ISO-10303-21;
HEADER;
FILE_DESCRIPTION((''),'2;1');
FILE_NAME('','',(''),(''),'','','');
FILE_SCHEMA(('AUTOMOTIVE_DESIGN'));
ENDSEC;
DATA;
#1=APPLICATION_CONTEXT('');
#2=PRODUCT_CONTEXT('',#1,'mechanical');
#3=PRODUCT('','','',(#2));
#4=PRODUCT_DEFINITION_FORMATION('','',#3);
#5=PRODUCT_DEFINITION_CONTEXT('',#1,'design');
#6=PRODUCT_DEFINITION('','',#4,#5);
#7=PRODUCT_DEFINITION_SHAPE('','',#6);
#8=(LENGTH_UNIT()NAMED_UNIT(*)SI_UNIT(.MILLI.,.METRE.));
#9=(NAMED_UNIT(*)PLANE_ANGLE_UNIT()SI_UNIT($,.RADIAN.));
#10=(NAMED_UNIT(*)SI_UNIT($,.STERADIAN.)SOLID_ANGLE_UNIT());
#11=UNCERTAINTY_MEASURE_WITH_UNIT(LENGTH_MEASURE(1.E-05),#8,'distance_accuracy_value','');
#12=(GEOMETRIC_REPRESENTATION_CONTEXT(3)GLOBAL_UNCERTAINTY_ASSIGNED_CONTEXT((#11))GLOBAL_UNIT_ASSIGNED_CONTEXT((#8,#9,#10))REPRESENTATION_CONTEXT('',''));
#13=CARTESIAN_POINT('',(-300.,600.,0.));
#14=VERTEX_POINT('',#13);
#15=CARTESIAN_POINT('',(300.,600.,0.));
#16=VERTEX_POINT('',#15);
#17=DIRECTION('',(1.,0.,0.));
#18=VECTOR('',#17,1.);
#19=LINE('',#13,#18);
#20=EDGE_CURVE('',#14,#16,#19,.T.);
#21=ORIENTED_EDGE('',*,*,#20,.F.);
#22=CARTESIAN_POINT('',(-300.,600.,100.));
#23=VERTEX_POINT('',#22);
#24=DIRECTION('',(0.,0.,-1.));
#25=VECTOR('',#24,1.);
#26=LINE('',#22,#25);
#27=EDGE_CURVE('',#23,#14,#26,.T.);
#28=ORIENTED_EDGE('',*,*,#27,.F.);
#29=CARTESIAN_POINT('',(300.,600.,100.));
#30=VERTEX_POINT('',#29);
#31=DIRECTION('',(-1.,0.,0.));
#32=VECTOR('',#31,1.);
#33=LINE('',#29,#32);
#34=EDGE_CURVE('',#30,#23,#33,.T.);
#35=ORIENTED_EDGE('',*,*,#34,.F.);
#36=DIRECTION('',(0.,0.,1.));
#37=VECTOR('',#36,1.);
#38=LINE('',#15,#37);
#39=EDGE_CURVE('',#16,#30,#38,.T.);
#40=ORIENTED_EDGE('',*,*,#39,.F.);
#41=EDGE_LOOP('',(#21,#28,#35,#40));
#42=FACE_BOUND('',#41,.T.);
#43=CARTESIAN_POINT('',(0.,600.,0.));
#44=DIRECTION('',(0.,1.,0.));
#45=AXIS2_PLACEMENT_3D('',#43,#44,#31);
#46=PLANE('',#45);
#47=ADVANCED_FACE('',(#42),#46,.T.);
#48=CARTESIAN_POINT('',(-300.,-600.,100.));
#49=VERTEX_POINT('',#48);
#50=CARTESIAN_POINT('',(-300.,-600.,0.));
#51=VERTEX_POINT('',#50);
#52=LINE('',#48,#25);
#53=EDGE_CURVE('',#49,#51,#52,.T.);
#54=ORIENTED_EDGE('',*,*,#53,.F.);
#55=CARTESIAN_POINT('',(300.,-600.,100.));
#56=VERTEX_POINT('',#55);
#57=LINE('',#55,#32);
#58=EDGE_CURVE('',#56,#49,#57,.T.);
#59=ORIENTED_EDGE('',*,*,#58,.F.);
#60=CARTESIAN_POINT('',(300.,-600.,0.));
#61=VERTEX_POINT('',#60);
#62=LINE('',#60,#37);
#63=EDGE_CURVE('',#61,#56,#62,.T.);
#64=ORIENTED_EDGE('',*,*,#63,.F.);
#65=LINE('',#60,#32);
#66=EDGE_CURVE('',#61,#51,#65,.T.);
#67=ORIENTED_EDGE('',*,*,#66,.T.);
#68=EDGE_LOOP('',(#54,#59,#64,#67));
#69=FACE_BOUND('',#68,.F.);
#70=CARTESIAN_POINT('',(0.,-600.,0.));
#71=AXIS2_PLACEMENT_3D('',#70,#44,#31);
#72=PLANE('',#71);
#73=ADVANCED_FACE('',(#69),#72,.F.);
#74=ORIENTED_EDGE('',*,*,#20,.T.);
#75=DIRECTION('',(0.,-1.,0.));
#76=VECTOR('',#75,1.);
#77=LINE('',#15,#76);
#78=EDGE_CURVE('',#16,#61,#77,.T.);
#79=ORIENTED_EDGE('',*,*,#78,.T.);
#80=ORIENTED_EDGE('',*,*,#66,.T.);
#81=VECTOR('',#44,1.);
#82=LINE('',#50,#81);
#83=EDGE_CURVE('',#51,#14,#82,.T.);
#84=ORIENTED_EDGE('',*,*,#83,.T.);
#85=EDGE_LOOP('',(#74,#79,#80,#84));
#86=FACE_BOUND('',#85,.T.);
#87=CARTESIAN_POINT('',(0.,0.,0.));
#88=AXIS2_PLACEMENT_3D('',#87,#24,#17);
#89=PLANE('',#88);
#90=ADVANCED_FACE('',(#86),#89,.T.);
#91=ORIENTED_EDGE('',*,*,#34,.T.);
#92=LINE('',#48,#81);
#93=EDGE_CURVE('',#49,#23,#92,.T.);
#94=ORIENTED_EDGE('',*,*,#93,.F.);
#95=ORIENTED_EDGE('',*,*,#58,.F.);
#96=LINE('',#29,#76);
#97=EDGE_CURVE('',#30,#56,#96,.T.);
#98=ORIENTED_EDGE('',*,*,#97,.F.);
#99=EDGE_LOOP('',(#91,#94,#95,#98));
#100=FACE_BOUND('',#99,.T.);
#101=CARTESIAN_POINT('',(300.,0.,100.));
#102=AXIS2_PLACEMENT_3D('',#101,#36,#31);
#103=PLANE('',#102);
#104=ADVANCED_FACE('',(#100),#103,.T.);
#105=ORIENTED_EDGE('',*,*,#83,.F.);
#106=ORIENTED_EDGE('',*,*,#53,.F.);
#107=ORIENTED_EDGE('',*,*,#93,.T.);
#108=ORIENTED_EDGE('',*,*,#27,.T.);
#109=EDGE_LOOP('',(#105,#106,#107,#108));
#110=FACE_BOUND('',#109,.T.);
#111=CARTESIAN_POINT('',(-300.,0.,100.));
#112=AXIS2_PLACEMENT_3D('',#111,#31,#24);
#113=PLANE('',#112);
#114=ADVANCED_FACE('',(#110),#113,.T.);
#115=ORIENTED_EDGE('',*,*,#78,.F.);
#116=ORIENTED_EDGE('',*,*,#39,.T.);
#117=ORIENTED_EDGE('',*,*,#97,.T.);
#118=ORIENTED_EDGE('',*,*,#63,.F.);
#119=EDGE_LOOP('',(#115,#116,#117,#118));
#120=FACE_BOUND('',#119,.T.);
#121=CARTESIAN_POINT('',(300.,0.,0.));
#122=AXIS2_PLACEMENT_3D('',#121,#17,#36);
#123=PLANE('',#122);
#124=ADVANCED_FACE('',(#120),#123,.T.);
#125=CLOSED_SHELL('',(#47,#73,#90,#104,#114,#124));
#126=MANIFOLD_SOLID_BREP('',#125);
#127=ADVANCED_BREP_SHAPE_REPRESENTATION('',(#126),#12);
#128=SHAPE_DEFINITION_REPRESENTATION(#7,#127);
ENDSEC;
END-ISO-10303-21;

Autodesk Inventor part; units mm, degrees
ref_plane "YZ Plane" through (0, 0, 0) normal (1, 0, 0) x (0, 1, 0)
ref_plane "XZ Plane" through (0, 0, 0) normal (0, 1, 0) x (-1, 0, 0)
ref_plane "XY Plane" through (0, 0, 0) normal (0, 0, 1) x (1, 0, 0)
sketch "Skizze1" plane through (0, 0, 0) normal (0, 1, 0) x (-1, 0, 0)
  line L0 (0, 0) -> (-300, 0)
  line L1 (-300, 0) -> (-300, 100)
  line L2 (-300, 100) -> (300, 100)
  line L3 (300, 100) -> (300, 0)
  line L4 (300, 0) -> (0, 0)
  dimension "d2" = 300
  dimension "d3" = 100
  dimension "d4" = 600
extrude "Extrusion1" add sketch "Skizze1" along normal mid plane 1200
properties part number "plateanchor"
